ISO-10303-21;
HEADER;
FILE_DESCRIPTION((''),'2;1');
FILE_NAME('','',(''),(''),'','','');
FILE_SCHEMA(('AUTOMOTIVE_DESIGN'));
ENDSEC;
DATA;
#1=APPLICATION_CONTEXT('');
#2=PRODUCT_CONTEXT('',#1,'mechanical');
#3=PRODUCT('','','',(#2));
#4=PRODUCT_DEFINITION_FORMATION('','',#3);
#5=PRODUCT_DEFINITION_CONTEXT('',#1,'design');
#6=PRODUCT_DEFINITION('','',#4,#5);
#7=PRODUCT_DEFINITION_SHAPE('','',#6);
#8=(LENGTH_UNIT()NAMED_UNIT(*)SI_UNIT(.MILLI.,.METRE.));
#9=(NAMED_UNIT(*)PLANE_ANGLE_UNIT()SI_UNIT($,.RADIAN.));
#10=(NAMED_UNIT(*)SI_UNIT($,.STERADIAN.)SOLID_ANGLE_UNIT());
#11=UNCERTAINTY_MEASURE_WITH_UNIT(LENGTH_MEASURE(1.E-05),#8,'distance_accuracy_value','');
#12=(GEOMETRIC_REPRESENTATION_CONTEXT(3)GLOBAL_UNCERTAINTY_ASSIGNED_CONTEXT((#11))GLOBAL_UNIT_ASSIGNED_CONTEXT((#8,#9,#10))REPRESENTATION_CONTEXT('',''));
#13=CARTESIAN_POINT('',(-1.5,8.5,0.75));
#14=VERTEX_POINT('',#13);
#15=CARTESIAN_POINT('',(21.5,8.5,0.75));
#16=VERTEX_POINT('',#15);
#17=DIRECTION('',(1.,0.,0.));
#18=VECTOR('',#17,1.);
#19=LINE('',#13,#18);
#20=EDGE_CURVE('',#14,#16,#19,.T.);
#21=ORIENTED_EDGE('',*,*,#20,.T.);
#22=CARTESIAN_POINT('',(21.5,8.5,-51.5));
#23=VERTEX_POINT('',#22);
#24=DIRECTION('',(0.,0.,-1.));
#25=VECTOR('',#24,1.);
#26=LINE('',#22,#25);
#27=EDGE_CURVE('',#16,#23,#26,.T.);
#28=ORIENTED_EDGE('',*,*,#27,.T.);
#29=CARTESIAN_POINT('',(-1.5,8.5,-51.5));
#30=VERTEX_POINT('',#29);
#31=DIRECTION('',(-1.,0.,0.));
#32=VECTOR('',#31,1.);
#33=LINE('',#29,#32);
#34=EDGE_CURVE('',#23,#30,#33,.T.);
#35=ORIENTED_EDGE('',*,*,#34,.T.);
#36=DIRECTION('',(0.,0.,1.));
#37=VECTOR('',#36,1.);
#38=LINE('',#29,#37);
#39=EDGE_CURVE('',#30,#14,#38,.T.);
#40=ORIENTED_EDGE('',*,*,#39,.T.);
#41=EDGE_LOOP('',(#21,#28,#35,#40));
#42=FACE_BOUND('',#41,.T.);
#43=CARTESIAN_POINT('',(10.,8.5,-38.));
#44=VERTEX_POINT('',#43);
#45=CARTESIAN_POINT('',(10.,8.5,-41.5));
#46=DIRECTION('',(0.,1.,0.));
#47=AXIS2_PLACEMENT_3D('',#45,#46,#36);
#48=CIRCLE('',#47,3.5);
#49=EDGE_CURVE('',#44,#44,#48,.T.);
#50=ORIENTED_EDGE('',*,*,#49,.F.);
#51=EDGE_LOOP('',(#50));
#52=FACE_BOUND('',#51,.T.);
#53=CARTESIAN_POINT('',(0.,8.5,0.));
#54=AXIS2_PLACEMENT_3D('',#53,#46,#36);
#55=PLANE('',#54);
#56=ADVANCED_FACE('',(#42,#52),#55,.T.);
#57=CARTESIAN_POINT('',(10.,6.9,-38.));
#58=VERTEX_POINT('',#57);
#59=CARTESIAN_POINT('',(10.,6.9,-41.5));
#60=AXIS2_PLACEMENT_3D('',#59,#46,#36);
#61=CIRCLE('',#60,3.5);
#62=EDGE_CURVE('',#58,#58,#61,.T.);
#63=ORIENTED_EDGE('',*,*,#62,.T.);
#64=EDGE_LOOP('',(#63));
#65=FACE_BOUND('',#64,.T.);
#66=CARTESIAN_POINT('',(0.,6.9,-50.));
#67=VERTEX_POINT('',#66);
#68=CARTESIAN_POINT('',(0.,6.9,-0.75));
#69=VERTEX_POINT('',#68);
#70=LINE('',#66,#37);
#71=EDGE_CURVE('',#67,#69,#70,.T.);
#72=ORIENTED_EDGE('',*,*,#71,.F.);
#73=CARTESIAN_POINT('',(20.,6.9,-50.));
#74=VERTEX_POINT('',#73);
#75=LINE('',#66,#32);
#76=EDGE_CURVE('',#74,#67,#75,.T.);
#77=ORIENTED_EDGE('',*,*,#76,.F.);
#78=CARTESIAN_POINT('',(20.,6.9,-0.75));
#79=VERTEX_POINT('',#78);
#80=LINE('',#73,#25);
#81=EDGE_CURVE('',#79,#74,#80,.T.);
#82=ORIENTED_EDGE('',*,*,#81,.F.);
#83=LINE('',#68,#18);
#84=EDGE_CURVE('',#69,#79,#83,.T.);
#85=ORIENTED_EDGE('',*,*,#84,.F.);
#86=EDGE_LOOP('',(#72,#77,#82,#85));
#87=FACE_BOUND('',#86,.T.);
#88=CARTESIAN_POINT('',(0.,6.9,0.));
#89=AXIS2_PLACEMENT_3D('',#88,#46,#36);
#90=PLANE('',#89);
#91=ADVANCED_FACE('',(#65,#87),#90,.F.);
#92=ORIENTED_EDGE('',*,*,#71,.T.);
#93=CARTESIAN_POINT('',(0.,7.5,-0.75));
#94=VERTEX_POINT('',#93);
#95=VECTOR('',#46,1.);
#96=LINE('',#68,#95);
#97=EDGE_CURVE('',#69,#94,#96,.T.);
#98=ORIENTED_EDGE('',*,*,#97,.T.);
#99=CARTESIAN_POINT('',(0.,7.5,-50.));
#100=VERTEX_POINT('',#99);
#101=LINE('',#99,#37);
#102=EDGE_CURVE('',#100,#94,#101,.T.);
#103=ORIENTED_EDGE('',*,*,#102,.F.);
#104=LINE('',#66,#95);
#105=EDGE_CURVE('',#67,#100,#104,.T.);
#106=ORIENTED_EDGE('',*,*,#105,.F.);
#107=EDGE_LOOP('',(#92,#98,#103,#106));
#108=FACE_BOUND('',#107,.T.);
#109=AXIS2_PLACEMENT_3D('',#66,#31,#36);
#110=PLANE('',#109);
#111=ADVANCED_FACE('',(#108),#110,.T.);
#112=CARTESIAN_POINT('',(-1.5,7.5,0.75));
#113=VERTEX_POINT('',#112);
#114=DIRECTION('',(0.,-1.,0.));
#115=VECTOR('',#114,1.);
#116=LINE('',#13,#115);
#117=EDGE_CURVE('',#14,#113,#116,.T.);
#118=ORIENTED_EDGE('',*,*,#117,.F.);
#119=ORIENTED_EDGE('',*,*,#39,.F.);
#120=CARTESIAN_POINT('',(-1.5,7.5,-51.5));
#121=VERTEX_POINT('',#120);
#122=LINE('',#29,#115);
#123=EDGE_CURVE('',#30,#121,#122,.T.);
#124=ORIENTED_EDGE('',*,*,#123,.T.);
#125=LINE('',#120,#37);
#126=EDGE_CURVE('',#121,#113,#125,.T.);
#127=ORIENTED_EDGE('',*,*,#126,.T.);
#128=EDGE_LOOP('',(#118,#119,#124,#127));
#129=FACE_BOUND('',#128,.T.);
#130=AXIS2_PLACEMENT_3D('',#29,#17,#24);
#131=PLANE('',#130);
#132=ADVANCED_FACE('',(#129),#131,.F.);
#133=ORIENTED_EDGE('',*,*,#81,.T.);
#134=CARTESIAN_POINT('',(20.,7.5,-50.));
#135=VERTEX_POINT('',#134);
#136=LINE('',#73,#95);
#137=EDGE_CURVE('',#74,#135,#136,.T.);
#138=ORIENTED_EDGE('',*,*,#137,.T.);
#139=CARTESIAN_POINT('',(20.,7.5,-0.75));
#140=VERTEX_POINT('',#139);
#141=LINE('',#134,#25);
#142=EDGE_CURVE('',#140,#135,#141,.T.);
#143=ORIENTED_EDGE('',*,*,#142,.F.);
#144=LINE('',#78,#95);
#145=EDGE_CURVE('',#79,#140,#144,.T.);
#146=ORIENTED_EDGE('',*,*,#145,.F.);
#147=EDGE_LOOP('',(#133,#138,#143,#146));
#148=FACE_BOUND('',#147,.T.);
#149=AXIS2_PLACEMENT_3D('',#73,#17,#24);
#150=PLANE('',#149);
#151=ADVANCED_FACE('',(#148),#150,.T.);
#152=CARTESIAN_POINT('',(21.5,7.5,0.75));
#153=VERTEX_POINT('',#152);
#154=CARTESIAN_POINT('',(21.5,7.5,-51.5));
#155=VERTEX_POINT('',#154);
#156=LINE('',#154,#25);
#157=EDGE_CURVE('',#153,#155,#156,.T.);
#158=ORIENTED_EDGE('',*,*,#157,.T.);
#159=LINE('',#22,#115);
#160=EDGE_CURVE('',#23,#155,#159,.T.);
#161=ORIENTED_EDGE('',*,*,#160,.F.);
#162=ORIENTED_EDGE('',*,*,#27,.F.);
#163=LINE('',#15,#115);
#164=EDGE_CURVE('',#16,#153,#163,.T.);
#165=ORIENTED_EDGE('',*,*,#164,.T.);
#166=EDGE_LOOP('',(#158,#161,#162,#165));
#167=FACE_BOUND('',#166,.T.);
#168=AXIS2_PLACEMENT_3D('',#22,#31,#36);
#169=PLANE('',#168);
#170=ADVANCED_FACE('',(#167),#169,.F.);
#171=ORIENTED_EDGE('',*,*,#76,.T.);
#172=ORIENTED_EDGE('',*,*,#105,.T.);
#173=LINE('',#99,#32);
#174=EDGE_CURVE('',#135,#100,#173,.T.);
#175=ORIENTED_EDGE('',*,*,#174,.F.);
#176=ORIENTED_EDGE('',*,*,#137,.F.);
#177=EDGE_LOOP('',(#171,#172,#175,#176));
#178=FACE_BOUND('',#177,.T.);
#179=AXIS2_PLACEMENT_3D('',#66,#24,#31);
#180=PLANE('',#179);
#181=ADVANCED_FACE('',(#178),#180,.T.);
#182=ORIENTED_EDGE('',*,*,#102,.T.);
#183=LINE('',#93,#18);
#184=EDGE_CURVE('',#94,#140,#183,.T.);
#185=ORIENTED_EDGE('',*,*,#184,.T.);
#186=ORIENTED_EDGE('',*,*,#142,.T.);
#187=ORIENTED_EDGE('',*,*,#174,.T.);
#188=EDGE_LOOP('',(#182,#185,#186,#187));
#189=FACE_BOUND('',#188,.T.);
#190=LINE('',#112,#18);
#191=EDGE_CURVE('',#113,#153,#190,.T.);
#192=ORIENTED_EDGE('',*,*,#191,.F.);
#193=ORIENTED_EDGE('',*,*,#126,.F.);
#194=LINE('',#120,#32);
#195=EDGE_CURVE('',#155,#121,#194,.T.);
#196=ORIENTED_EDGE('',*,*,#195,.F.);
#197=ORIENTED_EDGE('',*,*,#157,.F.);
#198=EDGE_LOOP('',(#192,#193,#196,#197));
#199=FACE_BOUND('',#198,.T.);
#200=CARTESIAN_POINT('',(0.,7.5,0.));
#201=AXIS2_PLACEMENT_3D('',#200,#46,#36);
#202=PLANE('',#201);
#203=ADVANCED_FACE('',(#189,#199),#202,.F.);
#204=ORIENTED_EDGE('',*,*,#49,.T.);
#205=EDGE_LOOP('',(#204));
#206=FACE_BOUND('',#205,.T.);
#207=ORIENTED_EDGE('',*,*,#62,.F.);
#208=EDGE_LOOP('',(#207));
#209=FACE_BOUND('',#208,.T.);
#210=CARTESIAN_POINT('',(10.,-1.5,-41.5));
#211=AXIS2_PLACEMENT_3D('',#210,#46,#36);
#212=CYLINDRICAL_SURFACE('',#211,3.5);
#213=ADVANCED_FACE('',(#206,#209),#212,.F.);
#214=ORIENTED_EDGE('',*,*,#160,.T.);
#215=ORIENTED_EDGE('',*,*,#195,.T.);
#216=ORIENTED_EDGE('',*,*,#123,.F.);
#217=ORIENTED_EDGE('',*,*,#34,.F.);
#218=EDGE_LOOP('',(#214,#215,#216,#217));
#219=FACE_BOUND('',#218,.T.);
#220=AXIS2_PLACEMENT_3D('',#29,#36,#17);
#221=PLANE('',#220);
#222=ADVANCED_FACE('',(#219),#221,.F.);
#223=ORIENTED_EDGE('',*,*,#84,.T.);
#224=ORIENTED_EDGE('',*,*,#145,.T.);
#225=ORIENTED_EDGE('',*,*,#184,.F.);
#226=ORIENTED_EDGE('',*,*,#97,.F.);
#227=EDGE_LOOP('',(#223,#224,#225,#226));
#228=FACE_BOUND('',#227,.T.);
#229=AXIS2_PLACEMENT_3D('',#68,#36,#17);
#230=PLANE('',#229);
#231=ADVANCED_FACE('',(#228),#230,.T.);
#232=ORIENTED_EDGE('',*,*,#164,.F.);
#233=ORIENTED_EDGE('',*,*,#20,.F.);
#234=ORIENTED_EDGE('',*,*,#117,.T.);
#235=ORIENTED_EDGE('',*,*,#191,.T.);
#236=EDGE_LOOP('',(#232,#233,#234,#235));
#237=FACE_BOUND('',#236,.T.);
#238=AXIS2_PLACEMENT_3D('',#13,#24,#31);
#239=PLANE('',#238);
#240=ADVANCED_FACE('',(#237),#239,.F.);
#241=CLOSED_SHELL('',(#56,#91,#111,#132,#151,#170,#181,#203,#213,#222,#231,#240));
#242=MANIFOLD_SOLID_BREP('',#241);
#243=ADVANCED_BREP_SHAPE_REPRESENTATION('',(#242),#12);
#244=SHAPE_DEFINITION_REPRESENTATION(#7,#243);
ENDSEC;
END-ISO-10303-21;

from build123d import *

# Parameters (mm, degrees)
SKETCH1_W           = 20
SKETCH1_H           = 49.25
BOSS_EXTRUDE1_DEPTH = 0.6
SKETCH2_W           = 23
SKETCH2_H           = 52.25
BOSS_EXTRUDE2_DEPTH = 1
SKETCH3_R           = 3.5
CUT_EXTRUDE1_DEPTH  = 10


with BuildPart() as part:
    # Sketch1 → Boss-Extrude1 (new body)
    with BuildSketch(Plane(origin=(0, 7.5, 0), x_dir=(1, 0, 0), z_dir=(0, 1, 0))):
        with Locations((10, 25.375)):
            Rectangle(SKETCH1_W, SKETCH1_H)
    extrude(amount=-BOSS_EXTRUDE1_DEPTH)

    # Sketch2 → Boss-Extrude2 (add)
    with BuildSketch(Plane(origin=(0, 7.5, 0), x_dir=(1, 0, 0), z_dir=(0, 1, 0))):
        with Locations((10, 25.375)):
            Rectangle(SKETCH2_W, SKETCH2_H)
    extrude(amount=BOSS_EXTRUDE2_DEPTH)

    # Sketch3 → Cut-Extrude1 (cut)
    with BuildSketch(Plane(origin=(0, 8.5, 0), x_dir=(1, 0, 0), z_dir=(0, 1, 0))):
        with Locations((10, 41.5)):
            Circle(SKETCH3_R)
    extrude(amount=-CUT_EXTRUDE1_DEPTH, mode=Mode.SUBTRACT)


solid = part.part
